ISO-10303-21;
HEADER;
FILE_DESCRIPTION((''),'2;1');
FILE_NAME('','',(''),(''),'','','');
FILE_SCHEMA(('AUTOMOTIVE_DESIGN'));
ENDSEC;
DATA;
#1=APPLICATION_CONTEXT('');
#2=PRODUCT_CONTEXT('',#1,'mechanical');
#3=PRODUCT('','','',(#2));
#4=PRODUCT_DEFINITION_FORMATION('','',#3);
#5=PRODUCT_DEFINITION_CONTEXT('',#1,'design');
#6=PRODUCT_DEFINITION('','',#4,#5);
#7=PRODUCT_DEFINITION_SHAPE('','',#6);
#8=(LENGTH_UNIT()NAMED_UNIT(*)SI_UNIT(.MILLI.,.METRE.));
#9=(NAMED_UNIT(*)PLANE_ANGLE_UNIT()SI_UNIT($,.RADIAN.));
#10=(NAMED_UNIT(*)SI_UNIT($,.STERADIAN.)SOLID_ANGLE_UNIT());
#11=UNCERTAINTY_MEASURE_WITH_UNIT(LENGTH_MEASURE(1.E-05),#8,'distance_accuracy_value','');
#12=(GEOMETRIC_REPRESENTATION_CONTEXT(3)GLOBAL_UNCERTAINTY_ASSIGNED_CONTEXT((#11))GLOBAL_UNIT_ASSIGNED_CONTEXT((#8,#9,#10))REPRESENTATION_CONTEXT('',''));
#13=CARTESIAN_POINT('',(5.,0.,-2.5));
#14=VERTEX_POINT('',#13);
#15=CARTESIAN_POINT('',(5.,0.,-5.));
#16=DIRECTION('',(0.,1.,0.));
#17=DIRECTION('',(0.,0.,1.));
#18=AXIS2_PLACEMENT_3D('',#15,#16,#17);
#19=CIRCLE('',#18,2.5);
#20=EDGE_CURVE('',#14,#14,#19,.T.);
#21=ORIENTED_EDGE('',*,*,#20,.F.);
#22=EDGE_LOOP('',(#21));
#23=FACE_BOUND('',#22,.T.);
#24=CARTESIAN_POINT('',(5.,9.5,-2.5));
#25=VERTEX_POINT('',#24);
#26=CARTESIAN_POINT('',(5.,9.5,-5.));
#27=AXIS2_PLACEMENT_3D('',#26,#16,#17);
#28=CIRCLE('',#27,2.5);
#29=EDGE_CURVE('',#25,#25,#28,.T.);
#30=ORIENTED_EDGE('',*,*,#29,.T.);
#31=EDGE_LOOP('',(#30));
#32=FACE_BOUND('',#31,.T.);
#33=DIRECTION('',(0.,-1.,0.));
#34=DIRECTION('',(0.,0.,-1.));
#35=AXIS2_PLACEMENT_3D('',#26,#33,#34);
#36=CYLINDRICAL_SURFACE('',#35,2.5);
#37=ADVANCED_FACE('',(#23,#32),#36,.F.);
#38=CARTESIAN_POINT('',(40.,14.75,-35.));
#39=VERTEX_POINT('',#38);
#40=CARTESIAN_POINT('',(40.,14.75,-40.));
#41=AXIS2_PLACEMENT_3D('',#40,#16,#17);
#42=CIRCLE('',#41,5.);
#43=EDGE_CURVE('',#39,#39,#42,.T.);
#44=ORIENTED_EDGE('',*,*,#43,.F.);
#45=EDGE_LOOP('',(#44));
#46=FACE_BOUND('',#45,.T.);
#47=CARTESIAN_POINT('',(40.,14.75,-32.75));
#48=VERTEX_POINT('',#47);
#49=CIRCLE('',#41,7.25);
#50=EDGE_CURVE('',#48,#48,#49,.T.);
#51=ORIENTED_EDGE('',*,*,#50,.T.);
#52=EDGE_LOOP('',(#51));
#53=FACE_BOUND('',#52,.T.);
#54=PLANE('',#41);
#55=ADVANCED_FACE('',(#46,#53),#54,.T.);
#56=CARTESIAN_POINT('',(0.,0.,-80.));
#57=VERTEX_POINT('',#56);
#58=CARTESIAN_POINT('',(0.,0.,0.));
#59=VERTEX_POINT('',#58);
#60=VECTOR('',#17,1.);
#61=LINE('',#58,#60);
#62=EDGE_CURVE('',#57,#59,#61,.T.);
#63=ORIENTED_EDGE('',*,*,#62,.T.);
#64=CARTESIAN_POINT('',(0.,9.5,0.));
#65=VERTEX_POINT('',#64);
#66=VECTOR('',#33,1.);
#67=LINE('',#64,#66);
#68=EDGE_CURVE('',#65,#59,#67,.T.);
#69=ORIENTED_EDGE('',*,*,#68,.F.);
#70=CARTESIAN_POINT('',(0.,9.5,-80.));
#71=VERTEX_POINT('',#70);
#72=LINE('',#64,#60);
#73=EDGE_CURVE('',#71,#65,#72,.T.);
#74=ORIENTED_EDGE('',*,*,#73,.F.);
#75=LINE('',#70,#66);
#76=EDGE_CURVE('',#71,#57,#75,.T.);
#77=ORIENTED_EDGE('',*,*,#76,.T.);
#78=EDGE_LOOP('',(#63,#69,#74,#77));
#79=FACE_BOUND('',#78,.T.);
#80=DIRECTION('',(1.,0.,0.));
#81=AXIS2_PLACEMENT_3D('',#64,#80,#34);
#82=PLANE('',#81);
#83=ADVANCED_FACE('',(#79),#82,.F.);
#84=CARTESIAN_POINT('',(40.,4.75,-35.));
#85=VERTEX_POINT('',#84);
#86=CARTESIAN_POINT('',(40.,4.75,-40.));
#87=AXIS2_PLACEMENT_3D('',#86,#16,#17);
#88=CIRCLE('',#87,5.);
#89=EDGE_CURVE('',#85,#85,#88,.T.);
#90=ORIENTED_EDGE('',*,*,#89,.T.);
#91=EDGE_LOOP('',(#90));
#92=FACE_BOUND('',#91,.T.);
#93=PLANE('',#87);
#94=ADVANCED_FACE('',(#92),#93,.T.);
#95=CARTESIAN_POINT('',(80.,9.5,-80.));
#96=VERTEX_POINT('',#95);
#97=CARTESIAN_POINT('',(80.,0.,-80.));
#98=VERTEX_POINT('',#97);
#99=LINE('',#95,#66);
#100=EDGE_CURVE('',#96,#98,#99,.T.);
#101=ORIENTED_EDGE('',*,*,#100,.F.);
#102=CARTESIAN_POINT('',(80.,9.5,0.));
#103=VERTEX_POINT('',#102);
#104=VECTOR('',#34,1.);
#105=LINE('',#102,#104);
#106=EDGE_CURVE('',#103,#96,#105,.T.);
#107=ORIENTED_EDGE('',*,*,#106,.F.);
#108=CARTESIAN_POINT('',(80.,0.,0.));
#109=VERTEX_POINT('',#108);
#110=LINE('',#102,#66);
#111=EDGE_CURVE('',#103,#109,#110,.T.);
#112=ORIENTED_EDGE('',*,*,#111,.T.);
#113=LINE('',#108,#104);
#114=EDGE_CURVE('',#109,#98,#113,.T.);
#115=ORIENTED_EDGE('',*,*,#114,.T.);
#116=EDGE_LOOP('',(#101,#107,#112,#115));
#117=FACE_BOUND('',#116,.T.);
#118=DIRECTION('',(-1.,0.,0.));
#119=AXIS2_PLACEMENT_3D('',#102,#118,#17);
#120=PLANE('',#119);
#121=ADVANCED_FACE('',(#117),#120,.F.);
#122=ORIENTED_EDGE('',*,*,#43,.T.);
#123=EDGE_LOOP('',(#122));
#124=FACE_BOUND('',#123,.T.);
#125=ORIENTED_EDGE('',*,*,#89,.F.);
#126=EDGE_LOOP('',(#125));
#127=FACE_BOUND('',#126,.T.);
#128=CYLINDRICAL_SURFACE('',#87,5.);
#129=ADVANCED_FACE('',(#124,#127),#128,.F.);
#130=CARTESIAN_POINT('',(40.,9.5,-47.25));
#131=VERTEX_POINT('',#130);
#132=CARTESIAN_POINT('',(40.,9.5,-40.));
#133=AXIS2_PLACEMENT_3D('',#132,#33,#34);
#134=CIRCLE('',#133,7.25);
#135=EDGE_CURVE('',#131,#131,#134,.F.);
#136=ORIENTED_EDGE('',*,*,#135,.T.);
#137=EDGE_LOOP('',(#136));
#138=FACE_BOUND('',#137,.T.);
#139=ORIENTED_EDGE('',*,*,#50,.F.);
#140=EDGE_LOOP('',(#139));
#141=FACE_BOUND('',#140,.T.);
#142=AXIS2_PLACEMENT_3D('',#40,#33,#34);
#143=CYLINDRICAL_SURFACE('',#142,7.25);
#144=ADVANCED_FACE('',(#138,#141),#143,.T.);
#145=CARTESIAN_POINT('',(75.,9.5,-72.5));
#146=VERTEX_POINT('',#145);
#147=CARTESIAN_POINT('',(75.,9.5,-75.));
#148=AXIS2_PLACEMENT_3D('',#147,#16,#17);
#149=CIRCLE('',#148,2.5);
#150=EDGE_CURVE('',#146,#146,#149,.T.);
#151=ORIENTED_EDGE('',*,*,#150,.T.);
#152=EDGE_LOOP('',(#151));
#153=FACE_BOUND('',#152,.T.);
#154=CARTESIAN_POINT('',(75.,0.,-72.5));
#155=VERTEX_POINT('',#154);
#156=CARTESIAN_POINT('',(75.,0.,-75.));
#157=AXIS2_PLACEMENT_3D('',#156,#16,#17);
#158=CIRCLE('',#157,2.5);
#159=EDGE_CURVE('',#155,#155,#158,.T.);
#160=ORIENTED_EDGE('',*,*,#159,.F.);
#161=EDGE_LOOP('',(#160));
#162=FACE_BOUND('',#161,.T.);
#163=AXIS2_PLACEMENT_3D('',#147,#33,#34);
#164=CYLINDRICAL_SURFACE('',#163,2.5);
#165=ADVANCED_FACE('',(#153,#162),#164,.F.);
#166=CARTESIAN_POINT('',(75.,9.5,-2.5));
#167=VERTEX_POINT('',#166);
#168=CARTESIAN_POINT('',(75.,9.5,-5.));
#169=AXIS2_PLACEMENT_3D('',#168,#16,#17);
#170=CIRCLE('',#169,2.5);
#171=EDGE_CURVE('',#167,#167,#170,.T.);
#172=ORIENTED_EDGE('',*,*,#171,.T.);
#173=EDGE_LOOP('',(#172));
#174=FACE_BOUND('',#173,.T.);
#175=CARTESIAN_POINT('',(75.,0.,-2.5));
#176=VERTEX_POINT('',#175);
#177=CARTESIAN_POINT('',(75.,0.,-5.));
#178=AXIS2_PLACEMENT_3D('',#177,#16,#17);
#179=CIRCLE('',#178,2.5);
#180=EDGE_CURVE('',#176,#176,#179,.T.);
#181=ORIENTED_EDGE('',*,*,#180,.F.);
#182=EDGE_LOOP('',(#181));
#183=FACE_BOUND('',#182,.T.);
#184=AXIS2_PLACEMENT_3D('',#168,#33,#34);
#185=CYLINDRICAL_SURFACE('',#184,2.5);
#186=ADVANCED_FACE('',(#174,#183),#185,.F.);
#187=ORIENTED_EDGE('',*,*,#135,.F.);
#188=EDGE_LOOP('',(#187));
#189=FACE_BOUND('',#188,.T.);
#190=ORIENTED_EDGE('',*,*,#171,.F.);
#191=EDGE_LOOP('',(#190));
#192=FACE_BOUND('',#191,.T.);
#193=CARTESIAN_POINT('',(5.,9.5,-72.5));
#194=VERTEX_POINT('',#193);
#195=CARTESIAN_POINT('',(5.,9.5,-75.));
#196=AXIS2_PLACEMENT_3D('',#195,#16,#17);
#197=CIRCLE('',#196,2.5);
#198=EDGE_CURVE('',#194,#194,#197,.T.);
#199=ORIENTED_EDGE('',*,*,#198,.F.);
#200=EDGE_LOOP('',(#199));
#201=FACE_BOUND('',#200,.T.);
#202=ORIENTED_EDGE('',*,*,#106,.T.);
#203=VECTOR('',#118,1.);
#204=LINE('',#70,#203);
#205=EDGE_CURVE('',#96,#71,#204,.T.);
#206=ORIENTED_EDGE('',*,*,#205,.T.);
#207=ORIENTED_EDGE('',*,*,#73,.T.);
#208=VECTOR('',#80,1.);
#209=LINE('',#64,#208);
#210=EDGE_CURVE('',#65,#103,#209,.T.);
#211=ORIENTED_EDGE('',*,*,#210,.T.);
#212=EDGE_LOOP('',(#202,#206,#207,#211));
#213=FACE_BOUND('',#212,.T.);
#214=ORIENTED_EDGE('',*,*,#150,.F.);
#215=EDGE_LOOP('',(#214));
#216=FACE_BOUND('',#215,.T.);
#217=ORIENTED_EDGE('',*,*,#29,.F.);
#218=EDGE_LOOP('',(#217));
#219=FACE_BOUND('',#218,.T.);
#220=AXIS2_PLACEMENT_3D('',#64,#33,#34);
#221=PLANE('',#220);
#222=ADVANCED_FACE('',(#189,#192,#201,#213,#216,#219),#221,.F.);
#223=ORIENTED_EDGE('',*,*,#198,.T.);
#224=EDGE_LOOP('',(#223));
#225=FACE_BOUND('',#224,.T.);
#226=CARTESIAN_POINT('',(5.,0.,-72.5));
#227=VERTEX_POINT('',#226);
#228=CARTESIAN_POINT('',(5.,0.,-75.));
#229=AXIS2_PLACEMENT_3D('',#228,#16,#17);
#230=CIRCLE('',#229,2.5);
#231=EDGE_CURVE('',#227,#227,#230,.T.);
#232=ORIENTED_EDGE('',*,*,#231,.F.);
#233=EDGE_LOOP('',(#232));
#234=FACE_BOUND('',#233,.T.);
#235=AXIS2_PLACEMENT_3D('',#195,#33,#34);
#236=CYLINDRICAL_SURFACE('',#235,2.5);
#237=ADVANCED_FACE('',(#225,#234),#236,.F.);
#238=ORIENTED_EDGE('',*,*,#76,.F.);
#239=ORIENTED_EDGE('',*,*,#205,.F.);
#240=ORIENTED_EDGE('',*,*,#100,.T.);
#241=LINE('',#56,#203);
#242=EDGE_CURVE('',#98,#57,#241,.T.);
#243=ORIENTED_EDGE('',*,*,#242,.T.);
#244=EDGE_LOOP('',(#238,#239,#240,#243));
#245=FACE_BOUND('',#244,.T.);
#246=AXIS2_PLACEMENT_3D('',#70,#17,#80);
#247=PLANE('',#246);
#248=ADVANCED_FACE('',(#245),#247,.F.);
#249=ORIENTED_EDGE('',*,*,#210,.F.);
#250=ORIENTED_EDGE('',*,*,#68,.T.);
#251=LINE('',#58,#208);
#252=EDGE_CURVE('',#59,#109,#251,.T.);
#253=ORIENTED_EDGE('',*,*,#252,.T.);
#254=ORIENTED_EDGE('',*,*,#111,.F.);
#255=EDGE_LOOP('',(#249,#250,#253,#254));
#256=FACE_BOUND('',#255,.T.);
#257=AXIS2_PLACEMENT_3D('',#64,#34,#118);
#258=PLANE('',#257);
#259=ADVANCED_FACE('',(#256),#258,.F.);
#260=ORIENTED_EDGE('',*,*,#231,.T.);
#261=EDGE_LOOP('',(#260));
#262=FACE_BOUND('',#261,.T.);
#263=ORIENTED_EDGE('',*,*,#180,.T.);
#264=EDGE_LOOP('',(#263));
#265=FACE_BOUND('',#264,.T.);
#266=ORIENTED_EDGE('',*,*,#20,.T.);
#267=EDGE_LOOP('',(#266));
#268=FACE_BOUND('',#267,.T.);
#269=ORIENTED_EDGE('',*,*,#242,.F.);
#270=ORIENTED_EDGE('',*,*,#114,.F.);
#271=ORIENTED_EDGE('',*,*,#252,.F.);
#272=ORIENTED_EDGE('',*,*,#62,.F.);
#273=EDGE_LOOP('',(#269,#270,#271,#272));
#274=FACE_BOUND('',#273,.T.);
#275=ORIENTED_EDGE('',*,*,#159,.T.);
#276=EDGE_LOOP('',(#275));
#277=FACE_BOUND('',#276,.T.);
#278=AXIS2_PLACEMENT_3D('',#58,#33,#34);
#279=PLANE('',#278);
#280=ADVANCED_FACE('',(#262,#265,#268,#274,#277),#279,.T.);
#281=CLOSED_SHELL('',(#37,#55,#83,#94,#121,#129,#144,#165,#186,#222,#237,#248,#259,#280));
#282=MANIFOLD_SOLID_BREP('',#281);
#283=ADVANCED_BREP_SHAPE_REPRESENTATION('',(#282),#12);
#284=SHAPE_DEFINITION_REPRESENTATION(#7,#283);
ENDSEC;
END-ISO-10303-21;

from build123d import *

# Parameters (mm, degrees)
SKETCH1_W           = 80
SKETCH1_H           = 80
SKETCH1_R           = 2.5
BOSS_EXTRUDE1_DEPTH = 9.5
SKETCH3_R           = 5
CUT_EXTRUDE1_DEPTH  = 4.75
SKETCH10_R          = 7.25
SKETCH10_R_2        = 5
BOSS_EXTRUDE3_DEPTH = 10


with BuildPart() as part:
    # Sketch1 → Boss-Extrude1 (new body)
    with BuildSketch(Plane(origin=(0, 0, 0), x_dir=(1, 0, 0), z_dir=(0, 1, 0))):
        with Locations((40, 40)):
            Rectangle(SKETCH1_W, SKETCH1_H)
        with Locations((5, 75)):
            Circle(SKETCH1_R, mode=Mode.SUBTRACT)
        with Locations((75, 75)):
            Circle(SKETCH1_R, mode=Mode.SUBTRACT)
        with Locations((75, 5)):
            Circle(SKETCH1_R, mode=Mode.SUBTRACT)
        with Locations((5, 5)):
            Circle(SKETCH1_R, mode=Mode.SUBTRACT)
    extrude(amount=BOSS_EXTRUDE1_DEPTH)

    # Sketch3 → Cut-Extrude1 (cut, symmetric)
    with BuildSketch(Plane(origin=(0, 9.5, 0), x_dir=(1, 0, 0), z_dir=(0, 1, 0))):
        with Locations((40, 40)):
            Circle(SKETCH3_R)
    extrude(amount=CUT_EXTRUDE1_DEPTH, both=True, mode=Mode.SUBTRACT)

    # Sketch10 → Boss-Extrude3 (add)
    with BuildSketch(Plane(origin=(0, 4.75, 0), x_dir=(1, 0, 0), z_dir=(0, 1, 0))):
        with Locations((40, 40)):
            Circle(SKETCH10_R)
        with Locations((40, 40)):
            Circle(SKETCH10_R_2, mode=Mode.SUBTRACT)
    extrude(amount=BOSS_EXTRUDE3_DEPTH)


solid = part.part
